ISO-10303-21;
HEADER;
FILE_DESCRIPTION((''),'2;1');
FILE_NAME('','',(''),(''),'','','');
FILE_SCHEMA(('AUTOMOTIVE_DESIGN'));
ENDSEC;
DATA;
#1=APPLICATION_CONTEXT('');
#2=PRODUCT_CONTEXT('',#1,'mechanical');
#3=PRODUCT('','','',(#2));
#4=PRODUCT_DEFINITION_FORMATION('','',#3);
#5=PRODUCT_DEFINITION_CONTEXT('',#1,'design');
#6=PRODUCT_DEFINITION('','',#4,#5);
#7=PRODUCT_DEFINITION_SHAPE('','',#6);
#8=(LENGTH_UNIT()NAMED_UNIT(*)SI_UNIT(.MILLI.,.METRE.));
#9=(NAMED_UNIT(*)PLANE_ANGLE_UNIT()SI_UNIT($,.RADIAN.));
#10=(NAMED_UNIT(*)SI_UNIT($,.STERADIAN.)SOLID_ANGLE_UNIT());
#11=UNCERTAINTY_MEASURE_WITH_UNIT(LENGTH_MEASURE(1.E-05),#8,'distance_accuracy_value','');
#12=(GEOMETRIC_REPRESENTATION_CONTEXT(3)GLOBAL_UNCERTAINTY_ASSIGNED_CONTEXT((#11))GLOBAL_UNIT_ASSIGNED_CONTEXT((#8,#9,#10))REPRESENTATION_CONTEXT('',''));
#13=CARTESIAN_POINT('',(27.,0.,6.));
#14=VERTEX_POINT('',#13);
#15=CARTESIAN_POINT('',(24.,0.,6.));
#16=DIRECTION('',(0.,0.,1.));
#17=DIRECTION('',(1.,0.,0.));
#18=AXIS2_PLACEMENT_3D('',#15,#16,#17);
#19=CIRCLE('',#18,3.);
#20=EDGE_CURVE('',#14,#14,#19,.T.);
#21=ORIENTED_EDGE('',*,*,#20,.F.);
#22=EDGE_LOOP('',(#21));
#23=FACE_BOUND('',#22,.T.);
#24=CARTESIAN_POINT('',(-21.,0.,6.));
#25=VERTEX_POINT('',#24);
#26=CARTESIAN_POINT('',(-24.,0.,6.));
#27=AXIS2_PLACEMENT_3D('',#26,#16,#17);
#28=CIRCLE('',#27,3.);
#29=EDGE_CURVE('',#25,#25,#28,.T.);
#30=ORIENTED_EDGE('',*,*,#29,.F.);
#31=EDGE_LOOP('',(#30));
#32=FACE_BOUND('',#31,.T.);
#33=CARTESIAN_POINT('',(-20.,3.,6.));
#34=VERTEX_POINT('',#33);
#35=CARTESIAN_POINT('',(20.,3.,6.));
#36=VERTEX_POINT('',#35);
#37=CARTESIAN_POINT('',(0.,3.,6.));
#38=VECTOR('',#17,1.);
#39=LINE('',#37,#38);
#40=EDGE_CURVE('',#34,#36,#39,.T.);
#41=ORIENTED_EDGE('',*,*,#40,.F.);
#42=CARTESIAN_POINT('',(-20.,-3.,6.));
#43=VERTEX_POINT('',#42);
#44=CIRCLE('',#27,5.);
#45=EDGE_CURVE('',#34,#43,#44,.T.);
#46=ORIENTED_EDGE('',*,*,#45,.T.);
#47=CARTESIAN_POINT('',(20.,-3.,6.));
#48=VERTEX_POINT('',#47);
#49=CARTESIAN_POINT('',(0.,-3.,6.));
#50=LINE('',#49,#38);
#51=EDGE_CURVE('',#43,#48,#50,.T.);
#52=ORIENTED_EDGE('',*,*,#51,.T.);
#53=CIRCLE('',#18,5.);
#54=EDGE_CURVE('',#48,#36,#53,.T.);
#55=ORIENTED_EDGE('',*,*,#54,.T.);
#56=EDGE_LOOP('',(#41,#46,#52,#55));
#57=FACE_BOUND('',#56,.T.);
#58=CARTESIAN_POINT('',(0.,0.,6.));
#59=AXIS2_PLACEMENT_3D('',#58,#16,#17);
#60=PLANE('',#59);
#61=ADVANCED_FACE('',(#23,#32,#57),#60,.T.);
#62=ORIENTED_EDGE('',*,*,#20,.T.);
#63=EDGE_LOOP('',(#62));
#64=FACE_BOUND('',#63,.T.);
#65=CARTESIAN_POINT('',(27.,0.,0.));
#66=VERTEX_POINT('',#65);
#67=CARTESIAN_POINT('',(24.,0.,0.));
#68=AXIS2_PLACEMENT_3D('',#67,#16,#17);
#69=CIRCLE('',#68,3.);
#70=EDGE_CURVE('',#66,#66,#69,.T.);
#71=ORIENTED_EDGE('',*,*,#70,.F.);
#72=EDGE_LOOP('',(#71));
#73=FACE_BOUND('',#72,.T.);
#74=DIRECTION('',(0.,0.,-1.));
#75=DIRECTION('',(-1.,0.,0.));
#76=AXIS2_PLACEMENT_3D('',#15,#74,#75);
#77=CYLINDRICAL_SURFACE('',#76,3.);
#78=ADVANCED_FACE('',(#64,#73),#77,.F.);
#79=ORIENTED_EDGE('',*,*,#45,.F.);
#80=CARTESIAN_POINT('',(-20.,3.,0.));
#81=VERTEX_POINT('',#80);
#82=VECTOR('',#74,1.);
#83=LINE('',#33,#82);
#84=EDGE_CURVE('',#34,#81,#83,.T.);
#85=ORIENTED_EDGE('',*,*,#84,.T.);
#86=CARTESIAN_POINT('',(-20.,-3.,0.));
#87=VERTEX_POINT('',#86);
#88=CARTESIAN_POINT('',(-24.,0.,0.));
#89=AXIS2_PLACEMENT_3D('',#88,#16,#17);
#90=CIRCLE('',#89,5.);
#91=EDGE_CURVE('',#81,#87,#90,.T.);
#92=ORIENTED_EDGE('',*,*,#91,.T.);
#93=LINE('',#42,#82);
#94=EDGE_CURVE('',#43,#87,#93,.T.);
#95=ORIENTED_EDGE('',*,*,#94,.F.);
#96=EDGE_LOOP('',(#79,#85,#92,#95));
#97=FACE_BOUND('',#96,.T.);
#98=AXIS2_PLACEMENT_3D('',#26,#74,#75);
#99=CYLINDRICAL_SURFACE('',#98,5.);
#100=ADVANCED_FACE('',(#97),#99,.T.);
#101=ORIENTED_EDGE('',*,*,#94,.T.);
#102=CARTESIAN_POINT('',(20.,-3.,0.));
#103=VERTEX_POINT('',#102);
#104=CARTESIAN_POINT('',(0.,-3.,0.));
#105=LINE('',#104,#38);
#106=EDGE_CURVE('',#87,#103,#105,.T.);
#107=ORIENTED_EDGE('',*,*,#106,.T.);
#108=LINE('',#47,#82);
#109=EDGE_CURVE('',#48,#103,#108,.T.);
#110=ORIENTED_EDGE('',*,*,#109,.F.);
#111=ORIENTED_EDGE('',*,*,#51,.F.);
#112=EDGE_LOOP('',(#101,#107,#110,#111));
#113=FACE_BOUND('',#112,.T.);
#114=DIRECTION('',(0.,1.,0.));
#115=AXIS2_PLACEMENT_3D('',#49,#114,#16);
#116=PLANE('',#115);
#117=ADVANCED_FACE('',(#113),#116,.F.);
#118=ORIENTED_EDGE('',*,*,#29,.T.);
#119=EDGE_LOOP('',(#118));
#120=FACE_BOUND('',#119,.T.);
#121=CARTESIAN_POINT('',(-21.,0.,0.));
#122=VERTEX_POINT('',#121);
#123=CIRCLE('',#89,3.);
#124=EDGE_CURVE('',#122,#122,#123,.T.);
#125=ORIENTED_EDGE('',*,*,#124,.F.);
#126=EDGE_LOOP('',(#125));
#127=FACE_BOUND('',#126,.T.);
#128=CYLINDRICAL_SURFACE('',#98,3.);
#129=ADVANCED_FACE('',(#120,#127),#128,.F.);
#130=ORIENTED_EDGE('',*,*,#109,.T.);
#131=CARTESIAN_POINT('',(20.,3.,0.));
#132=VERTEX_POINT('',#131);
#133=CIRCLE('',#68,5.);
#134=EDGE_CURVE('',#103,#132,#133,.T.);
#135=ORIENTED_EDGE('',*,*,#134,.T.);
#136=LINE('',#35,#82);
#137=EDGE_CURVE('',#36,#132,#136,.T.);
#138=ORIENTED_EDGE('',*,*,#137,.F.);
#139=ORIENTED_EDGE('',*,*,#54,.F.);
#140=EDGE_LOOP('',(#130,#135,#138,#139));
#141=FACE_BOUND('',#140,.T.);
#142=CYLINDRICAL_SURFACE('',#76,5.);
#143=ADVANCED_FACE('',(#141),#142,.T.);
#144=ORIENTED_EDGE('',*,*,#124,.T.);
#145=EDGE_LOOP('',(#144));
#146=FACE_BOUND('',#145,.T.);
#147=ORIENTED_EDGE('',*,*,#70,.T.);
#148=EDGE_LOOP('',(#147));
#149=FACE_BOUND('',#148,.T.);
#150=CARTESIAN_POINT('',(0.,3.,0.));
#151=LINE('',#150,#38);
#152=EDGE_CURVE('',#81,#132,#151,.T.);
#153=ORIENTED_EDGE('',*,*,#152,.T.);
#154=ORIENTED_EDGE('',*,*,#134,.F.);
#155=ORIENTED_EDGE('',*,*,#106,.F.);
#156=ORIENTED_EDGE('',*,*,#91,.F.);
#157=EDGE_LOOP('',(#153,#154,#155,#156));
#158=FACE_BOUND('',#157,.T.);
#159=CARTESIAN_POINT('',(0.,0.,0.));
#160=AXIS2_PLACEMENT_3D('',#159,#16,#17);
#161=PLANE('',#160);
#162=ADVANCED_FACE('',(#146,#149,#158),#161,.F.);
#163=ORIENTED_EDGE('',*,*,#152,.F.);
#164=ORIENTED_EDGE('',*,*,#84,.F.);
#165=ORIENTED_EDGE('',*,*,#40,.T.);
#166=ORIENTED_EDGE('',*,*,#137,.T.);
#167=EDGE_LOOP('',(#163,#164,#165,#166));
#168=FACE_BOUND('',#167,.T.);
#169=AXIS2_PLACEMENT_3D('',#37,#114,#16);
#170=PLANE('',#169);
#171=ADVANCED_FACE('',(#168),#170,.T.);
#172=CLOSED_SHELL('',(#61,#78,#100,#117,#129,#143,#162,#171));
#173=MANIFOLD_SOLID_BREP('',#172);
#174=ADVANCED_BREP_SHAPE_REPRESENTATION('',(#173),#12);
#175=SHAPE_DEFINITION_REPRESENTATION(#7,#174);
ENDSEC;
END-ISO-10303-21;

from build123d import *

# Parameters (mm, degrees)
EXTRUDE_1_DEPTH = 6


with BuildPart() as part:
    # 草图1 → 凸台-拉伸1 (new body)
    with BuildSketch(Plane.XY):
        with BuildLine():
            Line((20, 3), (-20, 3))
            ThreePointArc((-20, 3), (-19.25658351, 1.58113883), (-19, 0))
            ThreePointArc((-19, 0), (-19.25658351, -1.58113883), (-20, -3))
            Line((-20, -3), (20, -3))
            ThreePointArc((20, -3), (19, 0), (20, 3))
        make_face()
        with BuildLine():
            ThreePointArc((-24, -3), (-27, 0), (-24, 3))
            Line((-24, 3), (-20, 3))
            ThreePointArc((-20, 3), (-21.763932022, 4.472135955), (-24, 5))
            ThreePointArc((-24, 5), (-29, 0), (-24, -5))
            ThreePointArc((-24, -5), (-21.763932022, -4.472135955), (-20, -3))
            Line((-20, -3), (-24, -3))
        make_face()
        with BuildLine():
            Line((-20, 3), (-24, 3))
            ThreePointArc((-24, 3), (-21.878679656, 2.121320344), (-21, 0))
            ThreePointArc((-21, 0), (-21.878679656, -2.121320344), (-24, -3))
            Line((-24, -3), (-20, -3))
            ThreePointArc((-20, -3), (-19.25658351, -1.58113883), (-19, 0))
            ThreePointArc((-19, 0), (-19.25658351, 1.58113883), (-20, 3))
        make_face()
        with BuildLine():
            ThreePointArc((24, 5), (21.763932023, 4.472135955), (20, 3))
            Line((20, 3), (24, 3))
            ThreePointArc((24, 3), (26.121320344, 2.121320344), (27, 0))
            ThreePointArc((27, 0), (26.121320344, -2.121320344), (24, -3))
            Line((24, -3), (20, -3))
            ThreePointArc((20, -3), (21.763931997, -4.472135942), (23.999999943, -5))
            ThreePointArc((23.999999943, -5), (27.535533886, -3.535533926), (29, 0))
            ThreePointArc((29, 0), (27.535533906, 3.535533906), (24, 5))
        make_face()
        with BuildLine():
            Line((24, 3), (20, 3))
            ThreePointArc((20, 3), (19, 0), (20, -3))
            Line((20, -3), (24, -3))
            ThreePointArc((24, -3), (21, 0), (24, 3))
        make_face()
    extrude(amount=EXTRUDE_1_DEPTH)


solid = part.part
